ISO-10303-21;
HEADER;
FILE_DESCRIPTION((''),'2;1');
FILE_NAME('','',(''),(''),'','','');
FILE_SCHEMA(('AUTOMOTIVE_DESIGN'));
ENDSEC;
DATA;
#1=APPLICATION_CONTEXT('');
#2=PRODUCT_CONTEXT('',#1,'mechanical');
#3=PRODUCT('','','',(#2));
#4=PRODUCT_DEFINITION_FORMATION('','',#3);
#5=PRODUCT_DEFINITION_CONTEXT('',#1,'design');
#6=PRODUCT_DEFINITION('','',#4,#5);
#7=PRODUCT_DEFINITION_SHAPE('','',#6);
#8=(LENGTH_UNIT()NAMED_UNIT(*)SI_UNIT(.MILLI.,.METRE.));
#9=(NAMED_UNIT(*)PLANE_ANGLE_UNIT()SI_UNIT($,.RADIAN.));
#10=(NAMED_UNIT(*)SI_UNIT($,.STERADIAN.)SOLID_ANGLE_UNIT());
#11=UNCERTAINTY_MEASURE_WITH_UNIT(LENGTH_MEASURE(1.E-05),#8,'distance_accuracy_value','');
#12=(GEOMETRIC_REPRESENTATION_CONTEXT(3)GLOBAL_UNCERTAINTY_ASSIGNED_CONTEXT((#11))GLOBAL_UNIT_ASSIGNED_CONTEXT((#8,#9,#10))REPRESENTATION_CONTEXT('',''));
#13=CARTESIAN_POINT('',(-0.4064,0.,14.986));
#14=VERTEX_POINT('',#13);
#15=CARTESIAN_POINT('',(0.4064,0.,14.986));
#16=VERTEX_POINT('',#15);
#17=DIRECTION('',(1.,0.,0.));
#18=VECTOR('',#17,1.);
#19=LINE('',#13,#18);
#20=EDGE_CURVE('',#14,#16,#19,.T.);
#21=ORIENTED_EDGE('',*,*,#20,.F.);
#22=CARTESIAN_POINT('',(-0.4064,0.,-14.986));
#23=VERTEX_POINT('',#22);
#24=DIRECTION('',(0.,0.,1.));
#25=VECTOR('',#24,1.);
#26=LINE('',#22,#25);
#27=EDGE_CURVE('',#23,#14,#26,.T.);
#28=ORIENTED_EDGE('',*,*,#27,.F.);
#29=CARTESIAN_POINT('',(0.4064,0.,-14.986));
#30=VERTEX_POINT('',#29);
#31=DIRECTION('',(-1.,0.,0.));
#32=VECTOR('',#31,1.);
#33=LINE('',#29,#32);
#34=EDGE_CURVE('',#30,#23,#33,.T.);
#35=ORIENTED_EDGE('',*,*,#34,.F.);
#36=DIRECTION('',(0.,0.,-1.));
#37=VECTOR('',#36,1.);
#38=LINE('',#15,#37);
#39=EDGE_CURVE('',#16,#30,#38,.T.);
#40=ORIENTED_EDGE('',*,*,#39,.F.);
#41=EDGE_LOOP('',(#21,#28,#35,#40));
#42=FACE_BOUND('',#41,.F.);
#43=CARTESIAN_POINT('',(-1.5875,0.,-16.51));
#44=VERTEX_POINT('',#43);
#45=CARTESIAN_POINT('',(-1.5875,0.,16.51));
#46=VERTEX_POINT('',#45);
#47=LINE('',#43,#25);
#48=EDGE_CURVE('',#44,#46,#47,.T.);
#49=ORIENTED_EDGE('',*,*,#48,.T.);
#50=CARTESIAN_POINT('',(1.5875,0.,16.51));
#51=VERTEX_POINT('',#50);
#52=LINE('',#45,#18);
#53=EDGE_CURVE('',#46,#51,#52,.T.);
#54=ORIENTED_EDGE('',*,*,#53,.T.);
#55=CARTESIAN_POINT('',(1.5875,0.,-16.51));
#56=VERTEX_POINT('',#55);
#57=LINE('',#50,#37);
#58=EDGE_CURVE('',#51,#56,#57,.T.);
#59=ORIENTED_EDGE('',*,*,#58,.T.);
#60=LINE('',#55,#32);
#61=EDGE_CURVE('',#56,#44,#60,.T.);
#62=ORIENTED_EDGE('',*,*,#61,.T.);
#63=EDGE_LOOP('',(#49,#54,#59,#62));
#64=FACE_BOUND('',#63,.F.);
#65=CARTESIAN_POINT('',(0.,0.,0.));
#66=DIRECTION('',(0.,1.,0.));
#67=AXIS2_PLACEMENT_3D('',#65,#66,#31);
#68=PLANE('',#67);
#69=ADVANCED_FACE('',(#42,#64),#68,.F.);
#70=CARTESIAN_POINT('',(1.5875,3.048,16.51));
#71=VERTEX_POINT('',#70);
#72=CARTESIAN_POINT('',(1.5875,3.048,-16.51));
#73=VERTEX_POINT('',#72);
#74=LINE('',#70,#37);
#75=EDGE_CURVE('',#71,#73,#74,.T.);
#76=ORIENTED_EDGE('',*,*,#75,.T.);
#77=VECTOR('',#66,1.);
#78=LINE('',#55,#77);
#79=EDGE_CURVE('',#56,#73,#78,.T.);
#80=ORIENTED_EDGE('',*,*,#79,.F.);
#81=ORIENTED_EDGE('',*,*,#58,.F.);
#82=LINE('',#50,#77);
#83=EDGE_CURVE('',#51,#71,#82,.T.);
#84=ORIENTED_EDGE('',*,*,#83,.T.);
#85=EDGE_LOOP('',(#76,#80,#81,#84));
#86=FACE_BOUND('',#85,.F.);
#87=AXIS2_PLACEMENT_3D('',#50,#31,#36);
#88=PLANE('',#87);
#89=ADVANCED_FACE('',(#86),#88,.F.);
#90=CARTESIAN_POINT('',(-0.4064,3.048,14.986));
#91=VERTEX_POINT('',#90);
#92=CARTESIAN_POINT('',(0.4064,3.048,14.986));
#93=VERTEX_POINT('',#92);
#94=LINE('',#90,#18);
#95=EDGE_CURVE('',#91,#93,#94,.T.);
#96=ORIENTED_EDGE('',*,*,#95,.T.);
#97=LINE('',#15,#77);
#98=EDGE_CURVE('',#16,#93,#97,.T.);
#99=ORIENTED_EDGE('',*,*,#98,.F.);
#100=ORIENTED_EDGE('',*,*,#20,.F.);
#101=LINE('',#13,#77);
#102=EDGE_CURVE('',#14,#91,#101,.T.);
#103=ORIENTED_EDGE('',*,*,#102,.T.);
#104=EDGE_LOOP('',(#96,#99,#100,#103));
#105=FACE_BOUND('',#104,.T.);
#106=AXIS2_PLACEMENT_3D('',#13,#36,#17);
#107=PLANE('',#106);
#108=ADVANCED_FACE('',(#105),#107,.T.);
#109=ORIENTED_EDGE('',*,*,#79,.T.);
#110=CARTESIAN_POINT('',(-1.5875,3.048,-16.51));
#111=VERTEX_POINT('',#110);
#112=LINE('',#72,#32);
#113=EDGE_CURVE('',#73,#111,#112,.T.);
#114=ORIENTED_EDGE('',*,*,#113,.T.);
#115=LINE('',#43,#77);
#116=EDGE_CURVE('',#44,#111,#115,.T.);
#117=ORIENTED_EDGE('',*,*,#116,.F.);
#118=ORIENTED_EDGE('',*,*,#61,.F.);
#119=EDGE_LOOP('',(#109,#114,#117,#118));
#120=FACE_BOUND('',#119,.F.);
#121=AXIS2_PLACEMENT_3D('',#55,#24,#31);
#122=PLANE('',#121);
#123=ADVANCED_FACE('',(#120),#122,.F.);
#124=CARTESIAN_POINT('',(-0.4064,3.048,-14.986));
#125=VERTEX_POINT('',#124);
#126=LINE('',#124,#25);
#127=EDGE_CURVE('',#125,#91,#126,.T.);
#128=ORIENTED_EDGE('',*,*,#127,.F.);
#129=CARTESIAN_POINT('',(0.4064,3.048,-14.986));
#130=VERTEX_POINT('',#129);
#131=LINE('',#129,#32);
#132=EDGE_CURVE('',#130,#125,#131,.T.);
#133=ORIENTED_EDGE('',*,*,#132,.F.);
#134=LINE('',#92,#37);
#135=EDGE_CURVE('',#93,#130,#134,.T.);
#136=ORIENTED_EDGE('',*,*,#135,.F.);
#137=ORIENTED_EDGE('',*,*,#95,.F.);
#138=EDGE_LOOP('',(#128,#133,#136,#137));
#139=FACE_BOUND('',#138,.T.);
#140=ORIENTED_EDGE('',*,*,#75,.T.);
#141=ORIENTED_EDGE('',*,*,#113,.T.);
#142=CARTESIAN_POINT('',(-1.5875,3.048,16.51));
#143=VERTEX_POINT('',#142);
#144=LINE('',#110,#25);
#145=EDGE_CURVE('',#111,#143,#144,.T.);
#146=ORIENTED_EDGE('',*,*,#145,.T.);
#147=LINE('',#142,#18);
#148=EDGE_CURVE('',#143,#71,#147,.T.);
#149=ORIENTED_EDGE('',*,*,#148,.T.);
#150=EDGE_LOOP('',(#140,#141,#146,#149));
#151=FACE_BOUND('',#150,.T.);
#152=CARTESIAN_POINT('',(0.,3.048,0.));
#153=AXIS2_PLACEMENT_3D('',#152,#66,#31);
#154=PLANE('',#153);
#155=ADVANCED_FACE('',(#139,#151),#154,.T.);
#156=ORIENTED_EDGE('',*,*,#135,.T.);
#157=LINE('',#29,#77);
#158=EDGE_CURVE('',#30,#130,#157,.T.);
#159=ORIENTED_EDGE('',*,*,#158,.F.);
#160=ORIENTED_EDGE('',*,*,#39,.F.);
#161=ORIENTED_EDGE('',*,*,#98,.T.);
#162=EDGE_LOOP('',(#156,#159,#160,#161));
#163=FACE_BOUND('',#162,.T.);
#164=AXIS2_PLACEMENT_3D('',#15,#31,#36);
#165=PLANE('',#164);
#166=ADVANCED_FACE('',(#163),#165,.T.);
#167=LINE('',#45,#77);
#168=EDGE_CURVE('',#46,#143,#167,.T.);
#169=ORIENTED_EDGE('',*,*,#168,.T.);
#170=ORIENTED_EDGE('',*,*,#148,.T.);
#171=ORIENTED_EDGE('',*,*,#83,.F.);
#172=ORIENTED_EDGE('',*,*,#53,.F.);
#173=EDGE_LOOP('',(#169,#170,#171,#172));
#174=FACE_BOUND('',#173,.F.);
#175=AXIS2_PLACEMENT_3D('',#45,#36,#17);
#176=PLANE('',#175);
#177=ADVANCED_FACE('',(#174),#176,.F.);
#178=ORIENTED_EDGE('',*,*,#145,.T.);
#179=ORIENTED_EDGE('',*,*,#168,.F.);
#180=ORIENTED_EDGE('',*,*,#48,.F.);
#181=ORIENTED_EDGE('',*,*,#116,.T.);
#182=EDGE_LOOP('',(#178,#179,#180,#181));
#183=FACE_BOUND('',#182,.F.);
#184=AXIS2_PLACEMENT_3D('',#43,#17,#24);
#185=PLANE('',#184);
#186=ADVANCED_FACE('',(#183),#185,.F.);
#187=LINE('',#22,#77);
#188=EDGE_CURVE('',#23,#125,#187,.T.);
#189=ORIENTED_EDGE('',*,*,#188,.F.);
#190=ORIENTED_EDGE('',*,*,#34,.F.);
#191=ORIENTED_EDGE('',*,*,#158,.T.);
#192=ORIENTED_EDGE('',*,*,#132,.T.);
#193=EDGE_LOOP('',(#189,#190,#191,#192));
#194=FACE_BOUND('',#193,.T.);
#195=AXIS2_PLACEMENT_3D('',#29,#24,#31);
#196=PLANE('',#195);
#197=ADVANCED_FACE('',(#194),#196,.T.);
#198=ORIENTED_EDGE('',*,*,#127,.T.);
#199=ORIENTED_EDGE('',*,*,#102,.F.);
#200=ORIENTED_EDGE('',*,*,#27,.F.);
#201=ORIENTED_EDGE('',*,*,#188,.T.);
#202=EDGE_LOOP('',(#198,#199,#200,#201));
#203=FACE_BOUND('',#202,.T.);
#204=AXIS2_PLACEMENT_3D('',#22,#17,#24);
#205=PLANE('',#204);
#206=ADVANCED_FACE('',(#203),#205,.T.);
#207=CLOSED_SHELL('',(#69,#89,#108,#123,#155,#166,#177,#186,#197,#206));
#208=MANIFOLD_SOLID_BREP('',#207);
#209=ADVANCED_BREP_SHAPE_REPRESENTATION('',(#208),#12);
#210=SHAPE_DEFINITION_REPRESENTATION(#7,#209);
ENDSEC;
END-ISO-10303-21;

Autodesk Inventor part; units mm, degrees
ref_plane "YZ Plane" through (0, 0, 0) normal (1, 0, 0) x (0, 1, 0)
ref_plane "XZ Plane" through (0, 0, 0) normal (0, 1, 0) x (-1, 0, 0)
ref_plane "XY Plane" through (0, 0, 0) normal (0, 0, 1) x (1, 0, 0)
sketch "Sketch1" plane through (0, 0, 0) normal (0, 1, 0) x (-1, 0, 0)
  line L0 (-1.5875, -16.51) -> (1.5875, -16.51)
  line L1 (1.5875, -16.51) -> (1.5875, 16.51)
  line L2 (1.5875, 16.51) -> (-1.5875, 16.51)
  line L3 (-1.5875, 16.51) -> (-1.5875, -16.51)
  line L4 (-1.5875, -16.51) -> (1.5875, 16.51) construction
  line L5 (1.5875, -16.51) -> (-1.5875, 16.51) construction
  line L6 (-0.4064, -14.986) -> (0.4064, -14.986)
  line L7 (0.4064, -14.986) -> (0.4064, 14.986)
  line L8 (0.4064, 14.986) -> (-0.4064, 14.986)
  line L9 (-0.4064, 14.986) -> (-0.4064, -14.986)
  line L10 (-0.4064, -14.986) -> (0.4064, 14.986) construction
  line L11 (0.4064, -14.986) -> (-0.4064, 14.986) construction
  point P0 (0, 0)
  dimension "d0" = 3.175
  dimension "d1" = 33.02
  dimension "d2" = 0.8128
  dimension "d3" = 29.972
extrude "Extrusion1" add sketch "Sketch1" along normal blind 3.048
